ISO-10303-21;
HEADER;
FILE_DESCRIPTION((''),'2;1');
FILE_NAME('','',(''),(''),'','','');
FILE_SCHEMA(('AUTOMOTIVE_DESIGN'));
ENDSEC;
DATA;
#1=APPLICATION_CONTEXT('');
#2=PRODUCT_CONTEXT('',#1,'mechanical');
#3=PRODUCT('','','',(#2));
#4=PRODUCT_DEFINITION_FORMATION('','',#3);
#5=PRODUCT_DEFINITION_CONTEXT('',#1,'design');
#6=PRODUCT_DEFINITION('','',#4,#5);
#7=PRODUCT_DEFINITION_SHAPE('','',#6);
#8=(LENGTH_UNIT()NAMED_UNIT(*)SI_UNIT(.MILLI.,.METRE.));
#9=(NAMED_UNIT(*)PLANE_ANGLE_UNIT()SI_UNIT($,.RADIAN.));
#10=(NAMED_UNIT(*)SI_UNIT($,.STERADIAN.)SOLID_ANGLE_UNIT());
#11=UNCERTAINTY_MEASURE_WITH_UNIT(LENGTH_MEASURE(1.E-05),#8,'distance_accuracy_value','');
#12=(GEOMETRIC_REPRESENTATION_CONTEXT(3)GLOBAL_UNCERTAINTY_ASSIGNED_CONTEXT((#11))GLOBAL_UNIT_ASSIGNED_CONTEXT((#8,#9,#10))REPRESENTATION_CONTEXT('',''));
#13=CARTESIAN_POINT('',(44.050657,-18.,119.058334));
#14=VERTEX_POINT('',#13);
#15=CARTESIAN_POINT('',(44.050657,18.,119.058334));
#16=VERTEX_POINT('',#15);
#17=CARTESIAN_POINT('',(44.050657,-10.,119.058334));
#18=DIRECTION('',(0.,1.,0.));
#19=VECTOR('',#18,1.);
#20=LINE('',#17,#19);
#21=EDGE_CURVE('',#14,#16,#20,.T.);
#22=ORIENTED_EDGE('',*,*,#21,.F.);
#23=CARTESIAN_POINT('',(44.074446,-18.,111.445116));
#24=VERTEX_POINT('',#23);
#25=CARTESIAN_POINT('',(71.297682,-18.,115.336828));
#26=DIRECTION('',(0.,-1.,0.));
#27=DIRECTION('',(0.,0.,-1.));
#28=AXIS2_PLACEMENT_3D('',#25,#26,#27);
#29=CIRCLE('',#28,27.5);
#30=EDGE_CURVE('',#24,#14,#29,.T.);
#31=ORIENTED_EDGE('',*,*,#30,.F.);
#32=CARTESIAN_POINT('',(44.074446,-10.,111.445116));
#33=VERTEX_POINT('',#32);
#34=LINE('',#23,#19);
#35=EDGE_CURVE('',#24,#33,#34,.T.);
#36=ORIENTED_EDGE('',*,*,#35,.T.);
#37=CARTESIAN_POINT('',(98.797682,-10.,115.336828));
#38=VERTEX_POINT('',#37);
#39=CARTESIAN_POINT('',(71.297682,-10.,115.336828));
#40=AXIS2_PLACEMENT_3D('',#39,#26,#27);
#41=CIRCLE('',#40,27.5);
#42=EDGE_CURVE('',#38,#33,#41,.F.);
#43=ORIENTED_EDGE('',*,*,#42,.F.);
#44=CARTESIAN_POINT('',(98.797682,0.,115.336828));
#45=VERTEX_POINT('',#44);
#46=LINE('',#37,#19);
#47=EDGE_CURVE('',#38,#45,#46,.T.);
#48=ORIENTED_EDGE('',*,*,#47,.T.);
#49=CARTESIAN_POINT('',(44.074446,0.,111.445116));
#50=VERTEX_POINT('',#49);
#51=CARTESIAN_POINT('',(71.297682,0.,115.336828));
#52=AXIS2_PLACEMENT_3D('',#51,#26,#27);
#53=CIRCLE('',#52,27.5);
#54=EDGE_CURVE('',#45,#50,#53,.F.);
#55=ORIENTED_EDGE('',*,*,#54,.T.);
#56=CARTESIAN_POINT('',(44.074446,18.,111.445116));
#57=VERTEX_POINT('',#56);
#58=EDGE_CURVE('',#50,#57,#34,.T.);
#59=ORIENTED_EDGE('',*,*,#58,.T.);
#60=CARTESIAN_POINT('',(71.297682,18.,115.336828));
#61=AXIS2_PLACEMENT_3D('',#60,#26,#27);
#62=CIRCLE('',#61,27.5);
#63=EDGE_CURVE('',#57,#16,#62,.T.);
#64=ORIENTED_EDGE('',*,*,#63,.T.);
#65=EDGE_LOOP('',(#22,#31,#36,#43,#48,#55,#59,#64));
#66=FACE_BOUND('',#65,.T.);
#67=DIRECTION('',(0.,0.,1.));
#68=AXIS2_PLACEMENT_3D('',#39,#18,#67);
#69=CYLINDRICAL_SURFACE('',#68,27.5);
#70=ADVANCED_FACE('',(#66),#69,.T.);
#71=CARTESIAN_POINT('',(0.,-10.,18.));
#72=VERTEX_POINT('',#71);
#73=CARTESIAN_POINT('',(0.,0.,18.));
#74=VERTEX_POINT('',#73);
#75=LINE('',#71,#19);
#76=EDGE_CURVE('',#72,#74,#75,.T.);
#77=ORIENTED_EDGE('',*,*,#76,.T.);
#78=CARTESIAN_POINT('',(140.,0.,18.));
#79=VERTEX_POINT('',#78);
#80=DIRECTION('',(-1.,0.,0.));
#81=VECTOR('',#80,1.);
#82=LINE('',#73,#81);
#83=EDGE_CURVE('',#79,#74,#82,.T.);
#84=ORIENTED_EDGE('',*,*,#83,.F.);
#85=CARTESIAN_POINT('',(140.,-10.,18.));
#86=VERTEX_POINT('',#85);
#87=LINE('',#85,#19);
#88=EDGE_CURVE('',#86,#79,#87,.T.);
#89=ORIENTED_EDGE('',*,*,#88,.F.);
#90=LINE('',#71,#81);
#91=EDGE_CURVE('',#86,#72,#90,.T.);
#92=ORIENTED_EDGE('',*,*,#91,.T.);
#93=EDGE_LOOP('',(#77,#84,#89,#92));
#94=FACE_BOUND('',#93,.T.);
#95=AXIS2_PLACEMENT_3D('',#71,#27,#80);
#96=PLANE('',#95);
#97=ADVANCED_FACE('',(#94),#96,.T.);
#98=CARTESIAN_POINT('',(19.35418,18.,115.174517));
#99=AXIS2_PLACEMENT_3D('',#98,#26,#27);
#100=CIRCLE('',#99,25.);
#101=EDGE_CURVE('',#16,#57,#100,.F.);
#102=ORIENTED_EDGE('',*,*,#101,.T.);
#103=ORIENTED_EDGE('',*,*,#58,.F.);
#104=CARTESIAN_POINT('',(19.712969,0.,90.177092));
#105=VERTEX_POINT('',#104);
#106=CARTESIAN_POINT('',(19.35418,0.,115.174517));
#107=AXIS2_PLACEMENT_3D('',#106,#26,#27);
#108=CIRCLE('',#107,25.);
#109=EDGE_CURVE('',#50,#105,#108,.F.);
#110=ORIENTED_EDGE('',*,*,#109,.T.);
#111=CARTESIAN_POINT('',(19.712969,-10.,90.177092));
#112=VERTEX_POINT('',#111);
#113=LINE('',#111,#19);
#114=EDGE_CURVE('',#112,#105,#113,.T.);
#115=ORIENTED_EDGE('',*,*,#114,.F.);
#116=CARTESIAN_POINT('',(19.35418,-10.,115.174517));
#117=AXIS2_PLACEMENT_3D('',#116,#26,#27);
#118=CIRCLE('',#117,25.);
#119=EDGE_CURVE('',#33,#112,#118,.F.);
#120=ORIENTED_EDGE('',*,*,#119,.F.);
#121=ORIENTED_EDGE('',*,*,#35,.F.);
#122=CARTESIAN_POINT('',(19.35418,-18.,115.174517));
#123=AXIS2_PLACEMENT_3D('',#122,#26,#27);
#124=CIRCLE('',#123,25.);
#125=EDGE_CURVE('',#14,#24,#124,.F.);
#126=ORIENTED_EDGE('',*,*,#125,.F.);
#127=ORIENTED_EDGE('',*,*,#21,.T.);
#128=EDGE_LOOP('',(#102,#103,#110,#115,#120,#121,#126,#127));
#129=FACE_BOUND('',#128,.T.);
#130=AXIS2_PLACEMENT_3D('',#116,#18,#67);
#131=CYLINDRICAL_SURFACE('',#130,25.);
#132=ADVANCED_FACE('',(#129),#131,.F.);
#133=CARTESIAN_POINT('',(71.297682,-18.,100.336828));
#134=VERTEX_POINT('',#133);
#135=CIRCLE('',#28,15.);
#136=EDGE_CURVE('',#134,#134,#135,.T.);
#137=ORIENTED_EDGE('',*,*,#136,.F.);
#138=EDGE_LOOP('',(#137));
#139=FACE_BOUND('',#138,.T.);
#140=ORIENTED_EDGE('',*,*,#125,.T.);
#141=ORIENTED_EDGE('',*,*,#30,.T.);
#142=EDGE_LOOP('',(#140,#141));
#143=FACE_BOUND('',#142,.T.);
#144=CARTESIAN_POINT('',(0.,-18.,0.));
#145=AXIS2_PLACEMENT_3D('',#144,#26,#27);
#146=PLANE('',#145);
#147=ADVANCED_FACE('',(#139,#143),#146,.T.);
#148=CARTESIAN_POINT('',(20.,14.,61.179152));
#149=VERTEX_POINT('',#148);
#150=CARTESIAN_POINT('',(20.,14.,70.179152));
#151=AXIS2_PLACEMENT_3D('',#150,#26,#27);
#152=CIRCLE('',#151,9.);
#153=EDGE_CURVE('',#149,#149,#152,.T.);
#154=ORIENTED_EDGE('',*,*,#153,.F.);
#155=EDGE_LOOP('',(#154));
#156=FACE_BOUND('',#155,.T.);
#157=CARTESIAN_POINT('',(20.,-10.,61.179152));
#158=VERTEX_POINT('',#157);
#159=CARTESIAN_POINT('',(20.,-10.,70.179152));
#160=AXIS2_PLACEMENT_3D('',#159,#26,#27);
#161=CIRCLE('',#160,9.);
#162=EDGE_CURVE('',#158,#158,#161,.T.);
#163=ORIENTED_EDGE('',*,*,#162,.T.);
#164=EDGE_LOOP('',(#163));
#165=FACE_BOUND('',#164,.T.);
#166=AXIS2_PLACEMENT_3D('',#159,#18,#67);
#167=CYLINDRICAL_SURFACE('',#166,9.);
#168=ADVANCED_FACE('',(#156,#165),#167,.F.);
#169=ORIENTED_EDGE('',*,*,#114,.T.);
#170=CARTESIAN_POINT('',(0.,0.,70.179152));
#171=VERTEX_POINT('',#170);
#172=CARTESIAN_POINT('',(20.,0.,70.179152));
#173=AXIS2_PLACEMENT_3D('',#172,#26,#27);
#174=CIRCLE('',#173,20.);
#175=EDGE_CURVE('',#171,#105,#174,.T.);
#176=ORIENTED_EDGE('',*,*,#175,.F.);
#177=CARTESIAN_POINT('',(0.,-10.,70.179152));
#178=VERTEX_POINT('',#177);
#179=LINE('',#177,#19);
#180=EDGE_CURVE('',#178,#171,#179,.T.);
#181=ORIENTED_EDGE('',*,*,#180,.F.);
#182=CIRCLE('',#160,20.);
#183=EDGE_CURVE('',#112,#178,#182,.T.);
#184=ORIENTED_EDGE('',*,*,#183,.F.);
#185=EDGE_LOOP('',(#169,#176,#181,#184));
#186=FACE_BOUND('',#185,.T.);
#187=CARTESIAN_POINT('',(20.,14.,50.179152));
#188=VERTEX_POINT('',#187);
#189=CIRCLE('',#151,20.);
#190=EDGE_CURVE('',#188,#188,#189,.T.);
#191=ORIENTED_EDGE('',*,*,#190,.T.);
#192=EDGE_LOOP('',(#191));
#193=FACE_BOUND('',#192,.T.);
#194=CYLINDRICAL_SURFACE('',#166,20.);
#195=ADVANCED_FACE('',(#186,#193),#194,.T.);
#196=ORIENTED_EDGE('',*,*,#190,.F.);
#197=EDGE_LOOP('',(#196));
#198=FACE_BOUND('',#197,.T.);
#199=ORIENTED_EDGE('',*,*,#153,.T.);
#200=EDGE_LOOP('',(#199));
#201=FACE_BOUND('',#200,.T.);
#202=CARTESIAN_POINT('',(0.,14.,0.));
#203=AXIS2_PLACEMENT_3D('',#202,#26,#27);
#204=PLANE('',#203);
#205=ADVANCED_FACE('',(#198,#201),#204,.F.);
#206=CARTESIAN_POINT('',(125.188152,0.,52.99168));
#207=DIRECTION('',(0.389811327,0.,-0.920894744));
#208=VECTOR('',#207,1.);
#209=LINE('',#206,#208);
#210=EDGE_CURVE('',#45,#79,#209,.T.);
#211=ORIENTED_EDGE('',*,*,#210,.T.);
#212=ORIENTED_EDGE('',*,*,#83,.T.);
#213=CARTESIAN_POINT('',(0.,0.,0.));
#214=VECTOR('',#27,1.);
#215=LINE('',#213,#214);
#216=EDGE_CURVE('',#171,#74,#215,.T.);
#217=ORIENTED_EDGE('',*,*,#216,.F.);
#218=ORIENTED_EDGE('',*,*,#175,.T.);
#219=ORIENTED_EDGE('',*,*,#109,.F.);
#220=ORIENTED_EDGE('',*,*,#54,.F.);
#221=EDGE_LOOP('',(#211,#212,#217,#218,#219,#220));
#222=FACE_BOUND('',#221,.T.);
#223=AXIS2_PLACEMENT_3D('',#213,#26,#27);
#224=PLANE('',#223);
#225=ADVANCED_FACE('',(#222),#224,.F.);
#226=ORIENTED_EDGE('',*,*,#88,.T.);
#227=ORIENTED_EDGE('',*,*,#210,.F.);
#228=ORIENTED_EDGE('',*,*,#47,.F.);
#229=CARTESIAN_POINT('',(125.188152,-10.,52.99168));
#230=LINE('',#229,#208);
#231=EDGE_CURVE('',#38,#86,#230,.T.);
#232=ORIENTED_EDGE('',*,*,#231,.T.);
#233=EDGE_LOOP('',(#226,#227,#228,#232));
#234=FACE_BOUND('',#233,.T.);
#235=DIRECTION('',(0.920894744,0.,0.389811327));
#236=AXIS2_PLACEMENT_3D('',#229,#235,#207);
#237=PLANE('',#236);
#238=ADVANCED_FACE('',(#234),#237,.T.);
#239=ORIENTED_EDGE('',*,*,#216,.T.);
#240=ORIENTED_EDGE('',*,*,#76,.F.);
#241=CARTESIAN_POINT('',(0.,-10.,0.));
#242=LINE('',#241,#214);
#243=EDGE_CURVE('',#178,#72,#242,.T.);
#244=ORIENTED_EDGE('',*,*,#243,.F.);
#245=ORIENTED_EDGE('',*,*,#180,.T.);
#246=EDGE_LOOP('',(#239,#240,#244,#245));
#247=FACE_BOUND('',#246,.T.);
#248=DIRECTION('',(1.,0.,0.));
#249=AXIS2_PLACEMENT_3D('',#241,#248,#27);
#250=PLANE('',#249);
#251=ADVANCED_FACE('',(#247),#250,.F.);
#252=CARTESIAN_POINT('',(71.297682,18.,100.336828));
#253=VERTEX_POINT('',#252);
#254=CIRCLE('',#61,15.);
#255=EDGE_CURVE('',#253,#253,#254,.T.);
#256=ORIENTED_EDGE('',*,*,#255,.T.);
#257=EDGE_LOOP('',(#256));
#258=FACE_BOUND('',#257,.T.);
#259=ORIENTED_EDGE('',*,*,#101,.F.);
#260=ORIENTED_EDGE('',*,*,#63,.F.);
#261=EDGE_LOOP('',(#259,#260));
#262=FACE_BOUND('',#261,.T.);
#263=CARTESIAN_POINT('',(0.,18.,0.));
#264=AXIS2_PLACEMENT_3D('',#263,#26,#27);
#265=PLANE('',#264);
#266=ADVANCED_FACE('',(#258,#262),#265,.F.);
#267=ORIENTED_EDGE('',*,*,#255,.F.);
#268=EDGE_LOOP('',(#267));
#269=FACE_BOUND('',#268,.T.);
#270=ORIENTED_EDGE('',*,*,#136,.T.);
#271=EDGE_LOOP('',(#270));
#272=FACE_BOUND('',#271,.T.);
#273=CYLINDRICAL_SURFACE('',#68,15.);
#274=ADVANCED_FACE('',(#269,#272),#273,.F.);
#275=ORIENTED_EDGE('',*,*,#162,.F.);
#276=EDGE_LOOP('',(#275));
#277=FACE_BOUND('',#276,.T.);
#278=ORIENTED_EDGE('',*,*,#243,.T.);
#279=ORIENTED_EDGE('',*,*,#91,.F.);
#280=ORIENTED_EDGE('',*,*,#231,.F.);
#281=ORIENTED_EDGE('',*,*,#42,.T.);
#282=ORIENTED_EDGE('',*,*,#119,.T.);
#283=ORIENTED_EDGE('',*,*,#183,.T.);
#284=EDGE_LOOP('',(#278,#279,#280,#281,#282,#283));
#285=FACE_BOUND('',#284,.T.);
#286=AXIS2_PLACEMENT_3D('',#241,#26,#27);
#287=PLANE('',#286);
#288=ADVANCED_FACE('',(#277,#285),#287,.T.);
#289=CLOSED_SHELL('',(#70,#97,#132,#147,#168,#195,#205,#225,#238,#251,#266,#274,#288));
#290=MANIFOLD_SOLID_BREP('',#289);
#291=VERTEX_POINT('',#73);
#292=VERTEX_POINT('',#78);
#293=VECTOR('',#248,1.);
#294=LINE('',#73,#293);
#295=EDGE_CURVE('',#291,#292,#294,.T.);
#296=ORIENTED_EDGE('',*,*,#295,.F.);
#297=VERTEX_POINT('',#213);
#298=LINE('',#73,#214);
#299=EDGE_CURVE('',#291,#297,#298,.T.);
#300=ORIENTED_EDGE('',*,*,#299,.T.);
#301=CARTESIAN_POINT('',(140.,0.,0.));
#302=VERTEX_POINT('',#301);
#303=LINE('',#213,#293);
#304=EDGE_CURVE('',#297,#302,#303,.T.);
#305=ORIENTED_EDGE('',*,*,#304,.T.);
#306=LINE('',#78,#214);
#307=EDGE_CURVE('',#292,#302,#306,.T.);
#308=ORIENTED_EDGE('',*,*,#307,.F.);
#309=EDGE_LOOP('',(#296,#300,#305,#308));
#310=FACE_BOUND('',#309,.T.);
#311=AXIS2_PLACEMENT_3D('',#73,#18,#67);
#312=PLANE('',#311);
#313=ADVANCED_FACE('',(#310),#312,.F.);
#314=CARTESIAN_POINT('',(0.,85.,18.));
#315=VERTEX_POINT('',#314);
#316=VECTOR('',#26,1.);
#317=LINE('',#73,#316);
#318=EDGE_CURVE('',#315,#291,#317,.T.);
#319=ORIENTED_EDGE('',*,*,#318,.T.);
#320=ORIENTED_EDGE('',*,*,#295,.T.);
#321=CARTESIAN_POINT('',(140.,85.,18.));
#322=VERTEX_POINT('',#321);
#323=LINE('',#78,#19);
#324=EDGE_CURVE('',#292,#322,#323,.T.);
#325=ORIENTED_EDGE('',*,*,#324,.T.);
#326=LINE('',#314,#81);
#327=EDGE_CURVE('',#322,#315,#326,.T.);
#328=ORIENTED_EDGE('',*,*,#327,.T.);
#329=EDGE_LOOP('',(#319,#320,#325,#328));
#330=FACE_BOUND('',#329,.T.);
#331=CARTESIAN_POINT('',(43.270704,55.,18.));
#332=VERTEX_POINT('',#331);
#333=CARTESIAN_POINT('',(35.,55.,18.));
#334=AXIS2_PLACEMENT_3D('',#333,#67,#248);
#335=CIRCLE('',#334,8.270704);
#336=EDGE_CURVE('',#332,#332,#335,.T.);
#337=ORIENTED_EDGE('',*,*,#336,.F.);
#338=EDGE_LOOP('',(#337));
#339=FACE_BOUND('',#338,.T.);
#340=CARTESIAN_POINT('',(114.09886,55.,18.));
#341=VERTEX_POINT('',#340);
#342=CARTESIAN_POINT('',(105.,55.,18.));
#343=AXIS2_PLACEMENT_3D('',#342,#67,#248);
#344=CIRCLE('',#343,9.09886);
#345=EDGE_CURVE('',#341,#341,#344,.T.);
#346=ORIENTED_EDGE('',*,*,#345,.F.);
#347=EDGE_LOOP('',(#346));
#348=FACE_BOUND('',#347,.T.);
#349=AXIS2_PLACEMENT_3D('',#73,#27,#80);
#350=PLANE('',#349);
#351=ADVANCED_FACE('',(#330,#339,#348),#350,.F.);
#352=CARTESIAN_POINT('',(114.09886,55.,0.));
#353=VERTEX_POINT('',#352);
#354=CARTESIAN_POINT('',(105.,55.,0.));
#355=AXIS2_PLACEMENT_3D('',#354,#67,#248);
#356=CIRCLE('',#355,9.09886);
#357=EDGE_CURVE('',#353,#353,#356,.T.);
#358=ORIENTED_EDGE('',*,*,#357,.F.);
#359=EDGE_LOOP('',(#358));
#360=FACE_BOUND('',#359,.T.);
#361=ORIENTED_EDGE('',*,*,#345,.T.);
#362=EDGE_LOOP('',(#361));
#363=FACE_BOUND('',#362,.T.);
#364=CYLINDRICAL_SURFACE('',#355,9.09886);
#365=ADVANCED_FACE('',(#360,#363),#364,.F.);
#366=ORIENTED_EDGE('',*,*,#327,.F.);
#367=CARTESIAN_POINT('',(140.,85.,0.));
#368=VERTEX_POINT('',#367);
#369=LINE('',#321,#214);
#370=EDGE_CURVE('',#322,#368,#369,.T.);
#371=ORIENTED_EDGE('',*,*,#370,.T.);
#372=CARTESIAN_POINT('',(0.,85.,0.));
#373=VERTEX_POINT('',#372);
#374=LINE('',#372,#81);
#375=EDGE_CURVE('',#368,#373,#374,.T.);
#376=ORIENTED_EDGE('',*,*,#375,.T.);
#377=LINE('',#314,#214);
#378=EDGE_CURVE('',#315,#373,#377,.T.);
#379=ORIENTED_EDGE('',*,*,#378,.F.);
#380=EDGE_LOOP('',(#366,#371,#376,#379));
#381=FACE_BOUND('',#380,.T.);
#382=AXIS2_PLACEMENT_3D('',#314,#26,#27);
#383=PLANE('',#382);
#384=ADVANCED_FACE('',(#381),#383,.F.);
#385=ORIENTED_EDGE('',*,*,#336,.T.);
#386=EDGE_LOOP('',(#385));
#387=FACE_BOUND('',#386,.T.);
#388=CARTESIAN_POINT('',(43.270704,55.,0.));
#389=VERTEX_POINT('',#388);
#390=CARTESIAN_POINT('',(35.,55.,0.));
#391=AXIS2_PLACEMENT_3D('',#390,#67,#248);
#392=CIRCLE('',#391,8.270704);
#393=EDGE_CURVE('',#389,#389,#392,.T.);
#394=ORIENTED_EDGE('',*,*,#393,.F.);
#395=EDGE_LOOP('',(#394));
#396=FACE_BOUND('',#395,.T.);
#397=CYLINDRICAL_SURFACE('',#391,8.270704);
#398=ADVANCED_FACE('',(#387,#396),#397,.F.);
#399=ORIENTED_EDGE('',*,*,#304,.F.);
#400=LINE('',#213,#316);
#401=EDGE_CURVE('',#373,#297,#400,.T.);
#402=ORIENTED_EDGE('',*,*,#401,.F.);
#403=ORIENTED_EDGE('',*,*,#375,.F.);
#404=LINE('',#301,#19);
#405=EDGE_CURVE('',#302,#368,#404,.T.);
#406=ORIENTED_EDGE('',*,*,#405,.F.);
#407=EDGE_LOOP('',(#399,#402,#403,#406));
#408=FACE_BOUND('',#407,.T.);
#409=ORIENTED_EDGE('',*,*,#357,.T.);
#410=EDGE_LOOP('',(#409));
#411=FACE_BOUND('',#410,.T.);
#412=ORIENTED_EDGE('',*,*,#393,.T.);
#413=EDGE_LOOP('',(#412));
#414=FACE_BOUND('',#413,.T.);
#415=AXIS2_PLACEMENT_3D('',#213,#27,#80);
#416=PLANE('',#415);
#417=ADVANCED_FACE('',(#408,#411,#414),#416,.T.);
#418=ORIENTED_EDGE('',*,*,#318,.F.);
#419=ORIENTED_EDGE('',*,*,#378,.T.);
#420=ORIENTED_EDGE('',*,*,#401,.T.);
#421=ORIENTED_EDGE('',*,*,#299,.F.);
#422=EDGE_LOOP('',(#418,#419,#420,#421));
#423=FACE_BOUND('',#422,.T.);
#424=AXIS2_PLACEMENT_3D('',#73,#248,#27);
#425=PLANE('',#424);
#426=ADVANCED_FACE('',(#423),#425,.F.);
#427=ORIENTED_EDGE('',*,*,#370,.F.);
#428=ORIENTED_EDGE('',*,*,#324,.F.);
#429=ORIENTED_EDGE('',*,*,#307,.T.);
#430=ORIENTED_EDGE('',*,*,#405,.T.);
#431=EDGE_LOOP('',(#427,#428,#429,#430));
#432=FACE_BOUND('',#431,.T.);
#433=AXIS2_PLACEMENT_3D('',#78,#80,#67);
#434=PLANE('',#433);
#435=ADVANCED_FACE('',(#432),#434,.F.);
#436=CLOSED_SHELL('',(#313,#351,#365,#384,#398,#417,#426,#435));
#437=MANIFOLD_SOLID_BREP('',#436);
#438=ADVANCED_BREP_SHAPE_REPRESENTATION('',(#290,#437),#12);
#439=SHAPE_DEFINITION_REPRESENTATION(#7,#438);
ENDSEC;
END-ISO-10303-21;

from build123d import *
from build123d.topology import SkipClean

# Parameters (mm, degrees)
SKETCH1_W           = 140
SKETCH1_H           = 85
BOSS_EXTRUDE1_DEPTH = 18
SKETCH6_R           = 15
SKETCH6_R_2         = 9
BOSS_EXTRUDE6_DEPTH = 10
SKETCH6_4_R         = 15
BOSS_EXTRUDE7_DEPTH = 18
SKETCH6_5_R         = 9
BOSS_EXTRUDE8_DEPTH = 14
SKETCH13_R          = 8.270703546
SKETCH13_R_2        = 9.098859586
CUT_EXTRUDE1_DEPTH  = 18


with BuildPart() as part:
    # Sketch1 → Boss-Extrude1 (new body)
    with BuildSketch(Plane.XY):
        with Locations((70, 42.5)):
            Rectangle(SKETCH1_W, SKETCH1_H)
    extrude(amount=BOSS_EXTRUDE1_DEPTH)

    # Sketch13 → Cut-Extrude1 (cut)
    with BuildSketch(Plane.XY.offset(18)):
        with Locations((35, 55)):
            Circle(SKETCH13_R)
        with Locations((105, 55)):
            Circle(SKETCH13_R_2)
    extrude(amount=-CUT_EXTRUDE1_DEPTH, mode=Mode.SUBTRACT)


with BuildPart() as body_2:
    # Sketch6 → Boss-Extrude6 (new body)
    with BuildSketch(Plane.XZ):
        with BuildLine():
            ThreePointArc((44.050656558, 119.058334348), (38.471531135, 99.064679581), (19.712968781, 90.177092179))
            ThreePointArc((19.712968781, 90.177092179), (5.756745028, 84.219439982), (0, 70.179151958))
            Line((0, 70.179151958), (0, 18))
            Line((0, 18), (140, 18))
            Line((140, 18), (98.797681926, 115.336828121))
            ThreePointArc((98.797681926, 115.336828121), (73.162729161, 142.773511573), (44.050656558, 119.058334348))
        make_face()
        with Locations((71.297681926, 115.336828121)):
            Circle(SKETCH6_R, mode=Mode.SUBTRACT)
        with Locations((20, 70.179151958)):
            Circle(SKETCH6_R_2, mode=Mode.SUBTRACT)
    extrude(amount=BOSS_EXTRUDE6_DEPTH)

    # Sketch6<4> → Boss-Extrude7 (add, symmetric)
    with SkipClean():  # the faces are left unmerged after this step: merging them gives an invalid solid
        with BuildSketch(Plane.XZ):
            with BuildLine():
                ThreePointArc((44.074445993, 111.445115727), (73.248452524, 87.906106401), (98.797681926, 115.336828121))
                ThreePointArc((98.797681926, 115.336828121), (73.162729161, 142.773511573), (44.050656558, 119.058334348))
                ThreePointArc((44.050656558, 119.058334348), (44.354057707, 115.252635924), (44.074445993, 111.445115727))
            make_face()
            with Locations((71.297681926, 115.336828121)):
                Circle(SKETCH6_4_R, mode=Mode.SUBTRACT)
        extrude(amount=BOSS_EXTRUDE7_DEPTH, both=True)

    # Sketch6<5> → Boss-Extrude8 (add)
    with SkipClean():  # the faces are left unmerged after this step: merging them gives an invalid solid
        with BuildSketch(Plane.XZ):
            with BuildLine():
                ThreePointArc((40, 70.179151958), (34.040288025, 84.422406929), (19.712968781, 90.177092179))
                ThreePointArc((19.712968781, 90.177092179), (5.756745028, 84.219439982), (0, 70.179151958))
                ThreePointArc((0, 70.179151958), (20, 50.179151958), (40, 70.179151958))
            make_face()
            with Locations((20, 70.179151958)):
                Circle(SKETCH6_5_R, mode=Mode.SUBTRACT)
        extrude(amount=-BOSS_EXTRUDE8_DEPTH)


solid = Compound([part.part, body_2.part])
